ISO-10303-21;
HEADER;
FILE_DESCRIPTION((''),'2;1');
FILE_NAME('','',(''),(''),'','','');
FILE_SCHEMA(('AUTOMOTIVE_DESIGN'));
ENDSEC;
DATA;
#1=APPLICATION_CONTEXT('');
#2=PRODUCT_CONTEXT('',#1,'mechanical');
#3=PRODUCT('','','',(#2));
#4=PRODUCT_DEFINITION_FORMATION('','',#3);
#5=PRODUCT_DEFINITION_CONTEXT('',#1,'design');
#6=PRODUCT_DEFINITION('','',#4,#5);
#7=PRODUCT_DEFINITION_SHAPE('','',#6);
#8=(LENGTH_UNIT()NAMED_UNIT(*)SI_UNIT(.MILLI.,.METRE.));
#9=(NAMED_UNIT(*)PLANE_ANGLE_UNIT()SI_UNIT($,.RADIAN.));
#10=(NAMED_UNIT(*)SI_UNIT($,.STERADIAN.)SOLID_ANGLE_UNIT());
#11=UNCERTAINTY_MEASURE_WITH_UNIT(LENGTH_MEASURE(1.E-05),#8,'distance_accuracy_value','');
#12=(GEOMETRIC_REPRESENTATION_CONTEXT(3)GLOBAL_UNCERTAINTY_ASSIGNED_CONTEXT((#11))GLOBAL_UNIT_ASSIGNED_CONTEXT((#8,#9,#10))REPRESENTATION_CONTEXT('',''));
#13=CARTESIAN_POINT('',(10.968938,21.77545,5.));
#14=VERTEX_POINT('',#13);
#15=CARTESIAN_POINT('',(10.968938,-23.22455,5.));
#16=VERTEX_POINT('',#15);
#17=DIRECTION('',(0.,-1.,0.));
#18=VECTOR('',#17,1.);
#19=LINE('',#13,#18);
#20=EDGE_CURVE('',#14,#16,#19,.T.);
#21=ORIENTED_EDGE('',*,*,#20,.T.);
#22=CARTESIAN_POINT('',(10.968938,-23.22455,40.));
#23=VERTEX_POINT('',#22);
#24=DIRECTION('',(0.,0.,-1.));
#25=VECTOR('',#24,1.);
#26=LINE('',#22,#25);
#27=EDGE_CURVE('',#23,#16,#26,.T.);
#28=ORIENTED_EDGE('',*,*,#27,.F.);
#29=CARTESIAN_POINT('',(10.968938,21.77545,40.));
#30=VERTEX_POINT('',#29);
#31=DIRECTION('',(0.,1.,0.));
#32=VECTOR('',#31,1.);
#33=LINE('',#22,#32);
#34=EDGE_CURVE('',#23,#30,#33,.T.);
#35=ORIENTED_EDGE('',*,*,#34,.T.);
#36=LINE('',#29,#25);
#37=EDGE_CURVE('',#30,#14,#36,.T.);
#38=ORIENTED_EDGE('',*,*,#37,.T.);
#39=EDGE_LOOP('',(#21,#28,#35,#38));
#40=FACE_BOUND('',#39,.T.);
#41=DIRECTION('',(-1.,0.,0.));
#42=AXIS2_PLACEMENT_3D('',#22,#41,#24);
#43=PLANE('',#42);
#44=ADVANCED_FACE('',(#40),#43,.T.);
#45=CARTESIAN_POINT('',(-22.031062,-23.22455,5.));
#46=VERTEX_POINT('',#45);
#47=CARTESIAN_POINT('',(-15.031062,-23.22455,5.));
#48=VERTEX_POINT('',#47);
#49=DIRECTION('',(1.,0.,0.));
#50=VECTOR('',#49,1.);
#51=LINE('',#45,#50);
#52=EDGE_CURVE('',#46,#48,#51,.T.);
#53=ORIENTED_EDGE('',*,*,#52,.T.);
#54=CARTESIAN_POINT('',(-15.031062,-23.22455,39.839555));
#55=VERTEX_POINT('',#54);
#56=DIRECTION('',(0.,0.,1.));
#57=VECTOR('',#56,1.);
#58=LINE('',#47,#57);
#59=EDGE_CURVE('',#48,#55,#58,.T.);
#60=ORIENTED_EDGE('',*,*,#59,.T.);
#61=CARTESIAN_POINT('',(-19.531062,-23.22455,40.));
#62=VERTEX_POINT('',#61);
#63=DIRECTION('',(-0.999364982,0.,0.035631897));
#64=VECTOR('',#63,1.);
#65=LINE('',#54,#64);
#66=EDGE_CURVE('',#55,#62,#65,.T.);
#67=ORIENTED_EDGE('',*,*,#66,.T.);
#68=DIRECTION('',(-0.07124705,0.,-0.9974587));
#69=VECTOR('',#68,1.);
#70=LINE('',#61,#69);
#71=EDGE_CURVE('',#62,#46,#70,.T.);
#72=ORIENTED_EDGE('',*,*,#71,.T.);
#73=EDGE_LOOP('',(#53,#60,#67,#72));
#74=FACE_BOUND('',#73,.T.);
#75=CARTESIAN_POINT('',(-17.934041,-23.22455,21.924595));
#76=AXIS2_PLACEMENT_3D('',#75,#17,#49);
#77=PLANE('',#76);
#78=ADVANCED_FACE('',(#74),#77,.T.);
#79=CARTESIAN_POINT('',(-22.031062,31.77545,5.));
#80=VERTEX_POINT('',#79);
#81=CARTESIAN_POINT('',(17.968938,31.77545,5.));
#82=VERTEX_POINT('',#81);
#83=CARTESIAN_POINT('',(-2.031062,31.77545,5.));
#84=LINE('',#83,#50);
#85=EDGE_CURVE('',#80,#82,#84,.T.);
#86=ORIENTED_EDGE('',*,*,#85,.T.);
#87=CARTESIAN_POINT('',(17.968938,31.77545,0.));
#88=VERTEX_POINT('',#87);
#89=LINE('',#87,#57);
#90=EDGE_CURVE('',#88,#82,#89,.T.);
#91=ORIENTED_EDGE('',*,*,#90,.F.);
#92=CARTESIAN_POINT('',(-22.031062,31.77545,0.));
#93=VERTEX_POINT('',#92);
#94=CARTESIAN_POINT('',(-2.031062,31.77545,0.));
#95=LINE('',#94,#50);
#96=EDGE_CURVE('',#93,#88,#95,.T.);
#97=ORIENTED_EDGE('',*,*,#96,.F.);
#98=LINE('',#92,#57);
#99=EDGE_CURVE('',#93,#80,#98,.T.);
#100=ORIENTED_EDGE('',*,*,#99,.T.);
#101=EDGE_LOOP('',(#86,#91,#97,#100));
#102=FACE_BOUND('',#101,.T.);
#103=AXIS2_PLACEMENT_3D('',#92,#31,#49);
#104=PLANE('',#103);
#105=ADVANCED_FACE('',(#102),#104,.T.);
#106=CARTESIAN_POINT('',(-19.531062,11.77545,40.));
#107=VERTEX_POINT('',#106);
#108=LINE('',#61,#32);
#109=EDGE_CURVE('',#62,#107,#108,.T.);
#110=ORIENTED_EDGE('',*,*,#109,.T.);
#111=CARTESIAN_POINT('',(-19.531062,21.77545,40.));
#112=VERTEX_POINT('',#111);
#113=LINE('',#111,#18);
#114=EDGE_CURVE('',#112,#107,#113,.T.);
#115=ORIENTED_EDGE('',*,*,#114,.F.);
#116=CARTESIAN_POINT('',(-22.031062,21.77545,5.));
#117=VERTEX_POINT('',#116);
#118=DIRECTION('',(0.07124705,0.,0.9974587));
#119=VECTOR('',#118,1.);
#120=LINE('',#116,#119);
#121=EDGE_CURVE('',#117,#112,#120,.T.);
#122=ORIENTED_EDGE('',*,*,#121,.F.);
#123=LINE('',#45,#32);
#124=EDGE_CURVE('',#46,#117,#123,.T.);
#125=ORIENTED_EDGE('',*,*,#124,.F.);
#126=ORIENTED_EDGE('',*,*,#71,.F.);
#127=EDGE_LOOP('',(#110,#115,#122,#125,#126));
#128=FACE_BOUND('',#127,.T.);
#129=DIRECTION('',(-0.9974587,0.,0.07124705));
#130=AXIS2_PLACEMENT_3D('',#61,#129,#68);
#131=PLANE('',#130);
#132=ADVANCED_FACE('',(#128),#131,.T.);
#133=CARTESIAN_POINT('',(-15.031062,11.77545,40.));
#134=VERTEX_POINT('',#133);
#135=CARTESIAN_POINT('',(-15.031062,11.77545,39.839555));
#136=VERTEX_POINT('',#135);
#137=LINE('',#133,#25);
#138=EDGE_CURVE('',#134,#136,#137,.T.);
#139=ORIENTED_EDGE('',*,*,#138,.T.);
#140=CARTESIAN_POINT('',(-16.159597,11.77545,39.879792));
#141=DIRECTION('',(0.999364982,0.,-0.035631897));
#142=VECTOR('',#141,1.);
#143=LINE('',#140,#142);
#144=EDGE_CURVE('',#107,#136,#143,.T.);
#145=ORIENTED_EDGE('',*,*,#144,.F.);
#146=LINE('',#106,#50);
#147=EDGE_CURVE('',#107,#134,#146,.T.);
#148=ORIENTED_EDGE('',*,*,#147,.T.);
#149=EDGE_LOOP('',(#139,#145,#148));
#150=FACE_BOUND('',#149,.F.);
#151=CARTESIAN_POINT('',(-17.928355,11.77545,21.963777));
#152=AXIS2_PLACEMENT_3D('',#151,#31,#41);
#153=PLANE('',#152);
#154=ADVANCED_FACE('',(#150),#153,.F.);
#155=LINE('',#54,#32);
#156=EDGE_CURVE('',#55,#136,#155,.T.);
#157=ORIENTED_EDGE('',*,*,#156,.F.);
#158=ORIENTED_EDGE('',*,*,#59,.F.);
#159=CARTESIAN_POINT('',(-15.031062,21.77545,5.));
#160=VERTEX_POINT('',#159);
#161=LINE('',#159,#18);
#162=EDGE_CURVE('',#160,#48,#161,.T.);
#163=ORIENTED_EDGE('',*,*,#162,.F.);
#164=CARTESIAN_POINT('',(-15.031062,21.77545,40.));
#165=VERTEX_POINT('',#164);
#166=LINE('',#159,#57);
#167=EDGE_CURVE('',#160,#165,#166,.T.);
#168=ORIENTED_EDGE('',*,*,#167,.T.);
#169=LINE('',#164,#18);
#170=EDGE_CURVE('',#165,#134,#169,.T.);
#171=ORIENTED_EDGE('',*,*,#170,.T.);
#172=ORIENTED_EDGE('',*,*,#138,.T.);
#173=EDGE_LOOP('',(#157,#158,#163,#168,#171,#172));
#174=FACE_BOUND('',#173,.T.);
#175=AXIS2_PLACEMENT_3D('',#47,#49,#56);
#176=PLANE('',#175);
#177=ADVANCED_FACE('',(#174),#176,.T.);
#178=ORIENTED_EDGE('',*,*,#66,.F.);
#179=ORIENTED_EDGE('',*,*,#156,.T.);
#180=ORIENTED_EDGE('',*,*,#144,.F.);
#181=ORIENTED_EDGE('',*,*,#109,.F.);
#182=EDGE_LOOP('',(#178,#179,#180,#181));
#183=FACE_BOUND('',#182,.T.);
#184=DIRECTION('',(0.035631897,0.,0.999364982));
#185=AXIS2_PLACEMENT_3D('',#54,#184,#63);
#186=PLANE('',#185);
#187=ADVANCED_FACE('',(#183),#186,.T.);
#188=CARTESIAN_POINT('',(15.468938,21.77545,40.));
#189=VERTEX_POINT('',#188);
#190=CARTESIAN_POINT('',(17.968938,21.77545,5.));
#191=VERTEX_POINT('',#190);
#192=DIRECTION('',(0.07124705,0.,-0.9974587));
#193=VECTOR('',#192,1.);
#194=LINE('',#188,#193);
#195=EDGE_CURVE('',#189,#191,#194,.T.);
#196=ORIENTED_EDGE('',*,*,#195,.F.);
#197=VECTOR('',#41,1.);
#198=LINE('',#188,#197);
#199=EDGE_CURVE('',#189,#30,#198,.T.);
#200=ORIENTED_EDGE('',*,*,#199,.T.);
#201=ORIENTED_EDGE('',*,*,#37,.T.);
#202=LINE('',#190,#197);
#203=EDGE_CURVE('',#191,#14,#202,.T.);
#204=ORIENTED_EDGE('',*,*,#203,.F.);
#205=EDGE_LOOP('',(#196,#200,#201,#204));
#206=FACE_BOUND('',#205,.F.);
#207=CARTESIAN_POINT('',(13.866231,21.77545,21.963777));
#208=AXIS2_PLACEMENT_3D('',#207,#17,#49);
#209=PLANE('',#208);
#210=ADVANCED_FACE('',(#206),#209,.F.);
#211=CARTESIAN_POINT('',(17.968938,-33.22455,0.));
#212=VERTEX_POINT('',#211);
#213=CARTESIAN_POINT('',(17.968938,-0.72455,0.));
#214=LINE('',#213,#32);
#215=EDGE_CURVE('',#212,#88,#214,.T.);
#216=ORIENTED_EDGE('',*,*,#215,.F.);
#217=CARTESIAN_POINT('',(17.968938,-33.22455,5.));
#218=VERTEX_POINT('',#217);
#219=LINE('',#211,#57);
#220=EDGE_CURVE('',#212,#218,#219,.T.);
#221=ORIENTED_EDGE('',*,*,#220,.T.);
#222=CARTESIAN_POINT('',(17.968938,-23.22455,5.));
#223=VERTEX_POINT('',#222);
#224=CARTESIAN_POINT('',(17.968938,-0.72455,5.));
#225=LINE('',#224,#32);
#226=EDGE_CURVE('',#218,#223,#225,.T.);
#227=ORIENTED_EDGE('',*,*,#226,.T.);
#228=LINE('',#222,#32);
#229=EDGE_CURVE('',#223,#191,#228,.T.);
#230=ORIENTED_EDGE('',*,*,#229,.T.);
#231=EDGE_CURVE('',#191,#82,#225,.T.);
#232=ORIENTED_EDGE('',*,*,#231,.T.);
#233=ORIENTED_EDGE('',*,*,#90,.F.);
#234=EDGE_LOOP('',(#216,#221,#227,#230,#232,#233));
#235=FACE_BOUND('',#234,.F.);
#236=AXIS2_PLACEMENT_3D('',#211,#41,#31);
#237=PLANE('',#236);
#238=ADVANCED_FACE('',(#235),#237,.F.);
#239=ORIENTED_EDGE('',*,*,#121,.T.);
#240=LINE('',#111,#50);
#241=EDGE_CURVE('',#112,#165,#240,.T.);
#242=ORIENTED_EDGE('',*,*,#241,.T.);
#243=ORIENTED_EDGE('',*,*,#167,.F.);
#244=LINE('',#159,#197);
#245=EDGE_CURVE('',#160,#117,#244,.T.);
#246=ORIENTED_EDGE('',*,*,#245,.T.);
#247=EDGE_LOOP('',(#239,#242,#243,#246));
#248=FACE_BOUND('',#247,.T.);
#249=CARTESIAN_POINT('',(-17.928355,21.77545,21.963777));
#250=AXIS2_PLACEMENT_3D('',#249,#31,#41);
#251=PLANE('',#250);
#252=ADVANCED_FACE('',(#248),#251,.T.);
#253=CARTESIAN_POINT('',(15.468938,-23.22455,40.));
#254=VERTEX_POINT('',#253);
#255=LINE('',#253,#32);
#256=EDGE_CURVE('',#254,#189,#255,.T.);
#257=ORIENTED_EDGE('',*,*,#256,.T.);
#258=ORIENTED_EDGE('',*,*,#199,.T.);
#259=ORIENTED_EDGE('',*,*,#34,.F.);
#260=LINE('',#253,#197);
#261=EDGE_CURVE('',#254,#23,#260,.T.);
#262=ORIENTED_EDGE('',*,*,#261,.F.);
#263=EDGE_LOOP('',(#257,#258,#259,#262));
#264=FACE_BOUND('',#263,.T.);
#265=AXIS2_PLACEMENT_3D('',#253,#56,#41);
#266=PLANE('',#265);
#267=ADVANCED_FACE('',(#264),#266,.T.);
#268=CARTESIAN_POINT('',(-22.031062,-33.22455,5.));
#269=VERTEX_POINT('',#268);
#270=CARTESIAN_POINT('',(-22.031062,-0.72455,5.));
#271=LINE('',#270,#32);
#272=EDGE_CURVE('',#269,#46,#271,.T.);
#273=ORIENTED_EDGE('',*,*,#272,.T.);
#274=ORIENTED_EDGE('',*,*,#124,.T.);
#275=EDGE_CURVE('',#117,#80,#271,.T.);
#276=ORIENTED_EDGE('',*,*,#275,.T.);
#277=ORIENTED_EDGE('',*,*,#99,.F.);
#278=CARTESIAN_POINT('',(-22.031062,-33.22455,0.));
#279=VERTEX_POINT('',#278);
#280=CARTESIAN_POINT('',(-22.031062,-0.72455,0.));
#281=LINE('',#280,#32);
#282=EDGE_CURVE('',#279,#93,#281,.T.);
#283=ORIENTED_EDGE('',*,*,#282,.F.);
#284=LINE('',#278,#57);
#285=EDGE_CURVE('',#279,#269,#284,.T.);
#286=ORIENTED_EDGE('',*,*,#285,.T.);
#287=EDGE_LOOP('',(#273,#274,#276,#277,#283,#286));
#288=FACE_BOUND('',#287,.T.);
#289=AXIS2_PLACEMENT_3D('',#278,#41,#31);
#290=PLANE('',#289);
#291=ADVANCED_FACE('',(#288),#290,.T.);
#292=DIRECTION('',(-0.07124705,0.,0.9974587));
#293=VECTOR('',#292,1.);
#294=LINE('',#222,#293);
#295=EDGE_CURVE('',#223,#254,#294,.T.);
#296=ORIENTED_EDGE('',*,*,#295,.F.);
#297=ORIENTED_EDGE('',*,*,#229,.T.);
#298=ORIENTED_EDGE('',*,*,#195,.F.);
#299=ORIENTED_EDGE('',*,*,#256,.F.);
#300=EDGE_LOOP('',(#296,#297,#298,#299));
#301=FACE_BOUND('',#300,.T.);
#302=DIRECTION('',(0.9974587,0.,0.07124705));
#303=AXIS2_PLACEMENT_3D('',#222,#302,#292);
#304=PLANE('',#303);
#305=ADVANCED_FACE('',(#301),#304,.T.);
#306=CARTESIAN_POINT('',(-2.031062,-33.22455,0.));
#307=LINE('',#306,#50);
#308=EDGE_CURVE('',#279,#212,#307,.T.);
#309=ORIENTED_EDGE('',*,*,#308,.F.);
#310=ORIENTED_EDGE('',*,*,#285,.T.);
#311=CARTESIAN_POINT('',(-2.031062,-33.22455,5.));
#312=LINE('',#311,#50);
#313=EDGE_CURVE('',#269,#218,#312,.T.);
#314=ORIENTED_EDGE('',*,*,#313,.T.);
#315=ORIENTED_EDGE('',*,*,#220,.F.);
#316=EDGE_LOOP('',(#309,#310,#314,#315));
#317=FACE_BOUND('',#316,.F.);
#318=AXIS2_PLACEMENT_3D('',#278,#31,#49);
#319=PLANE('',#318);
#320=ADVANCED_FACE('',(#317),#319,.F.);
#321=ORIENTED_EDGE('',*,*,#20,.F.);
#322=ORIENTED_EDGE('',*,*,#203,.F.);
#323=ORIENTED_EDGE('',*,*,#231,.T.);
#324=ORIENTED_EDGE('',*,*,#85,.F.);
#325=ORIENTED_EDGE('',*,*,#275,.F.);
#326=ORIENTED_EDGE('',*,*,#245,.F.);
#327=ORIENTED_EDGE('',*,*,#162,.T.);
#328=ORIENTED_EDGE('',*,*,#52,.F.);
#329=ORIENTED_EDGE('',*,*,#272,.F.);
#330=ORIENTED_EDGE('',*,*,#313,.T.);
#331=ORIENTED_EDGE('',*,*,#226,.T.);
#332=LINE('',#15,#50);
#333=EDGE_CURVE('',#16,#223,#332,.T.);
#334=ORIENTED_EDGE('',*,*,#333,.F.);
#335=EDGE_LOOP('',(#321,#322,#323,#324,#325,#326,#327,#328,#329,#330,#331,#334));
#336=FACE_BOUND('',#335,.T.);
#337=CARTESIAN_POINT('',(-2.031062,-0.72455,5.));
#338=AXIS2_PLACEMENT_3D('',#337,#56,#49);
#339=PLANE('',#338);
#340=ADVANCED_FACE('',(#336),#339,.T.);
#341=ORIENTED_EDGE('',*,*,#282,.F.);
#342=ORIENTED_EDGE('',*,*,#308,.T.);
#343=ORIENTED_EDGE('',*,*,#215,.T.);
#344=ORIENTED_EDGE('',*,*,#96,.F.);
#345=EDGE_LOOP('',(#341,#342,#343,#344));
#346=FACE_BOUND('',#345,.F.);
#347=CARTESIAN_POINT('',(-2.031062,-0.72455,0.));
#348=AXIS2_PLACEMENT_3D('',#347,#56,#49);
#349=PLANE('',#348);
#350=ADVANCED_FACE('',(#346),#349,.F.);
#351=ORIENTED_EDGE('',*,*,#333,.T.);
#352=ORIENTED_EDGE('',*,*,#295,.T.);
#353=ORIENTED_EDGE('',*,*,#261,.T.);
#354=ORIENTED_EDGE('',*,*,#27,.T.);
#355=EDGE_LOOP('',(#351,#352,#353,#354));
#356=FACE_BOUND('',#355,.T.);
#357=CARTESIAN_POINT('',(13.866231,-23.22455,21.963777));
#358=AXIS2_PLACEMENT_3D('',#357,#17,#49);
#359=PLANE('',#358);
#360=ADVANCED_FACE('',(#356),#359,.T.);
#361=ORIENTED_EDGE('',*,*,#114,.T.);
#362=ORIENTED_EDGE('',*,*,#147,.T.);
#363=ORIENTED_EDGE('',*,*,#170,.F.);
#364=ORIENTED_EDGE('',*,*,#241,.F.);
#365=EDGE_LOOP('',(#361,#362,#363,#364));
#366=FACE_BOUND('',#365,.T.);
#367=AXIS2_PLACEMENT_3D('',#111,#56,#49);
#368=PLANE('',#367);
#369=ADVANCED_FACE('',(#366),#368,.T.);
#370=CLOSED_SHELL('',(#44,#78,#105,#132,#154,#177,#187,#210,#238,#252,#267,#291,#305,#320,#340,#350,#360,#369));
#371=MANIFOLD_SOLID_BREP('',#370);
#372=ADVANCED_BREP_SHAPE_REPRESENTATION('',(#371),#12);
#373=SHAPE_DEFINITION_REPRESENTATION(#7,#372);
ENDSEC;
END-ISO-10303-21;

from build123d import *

# Parameters (mm, degrees)
F0_W     = 40
F0_H     = 65
F1_DEPTH = 5
F6_DEPTH = 10
F8_DEPTH = 45


with BuildPart() as f1:
    # F0 (on Top) → F1 (new body)
    with BuildSketch(Plane.XY):
        with Locations((-2.0310617983, -0.7245496807)):
            Rectangle(F0_W, F0_H)
    extrude(amount=F1_DEPTH)

    # F5 (on face) → F6 (join)
    with BuildSketch(Plane(origin=(0, 21.7754503193, 0), x_dir=(-1, 0, 0), z_dir=(0, 1, 0))):
        Polygon((15.0310617983, 40), (15.0310617983, 5), (22.0310617983, 5), (19.5310617983, 40), align=None)
        Polygon((-17.9689382017, 5), (-10.9689382017, 5), (-10.9689382017, 39.8395545781), (-15.4689382017, 40), align=None)
    extrude(amount=-F6_DEPTH)

    # F7 (on offset) → F8 (join)
    with BuildSketch(Plane.XZ.offset(23.2245496807)):
        Polygon((10.9689382017, 40), (10.9689382017, 5), (17.9689382017, 5), (15.4689382017, 40), align=None)
        Polygon((-22.0310617983, 5), (-15.0310617983, 5), (-15.0310617983, 39.8395545781), (-19.5310617983, 40), align=None)
    extrude(amount=-F8_DEPTH)


solid = f1.part
